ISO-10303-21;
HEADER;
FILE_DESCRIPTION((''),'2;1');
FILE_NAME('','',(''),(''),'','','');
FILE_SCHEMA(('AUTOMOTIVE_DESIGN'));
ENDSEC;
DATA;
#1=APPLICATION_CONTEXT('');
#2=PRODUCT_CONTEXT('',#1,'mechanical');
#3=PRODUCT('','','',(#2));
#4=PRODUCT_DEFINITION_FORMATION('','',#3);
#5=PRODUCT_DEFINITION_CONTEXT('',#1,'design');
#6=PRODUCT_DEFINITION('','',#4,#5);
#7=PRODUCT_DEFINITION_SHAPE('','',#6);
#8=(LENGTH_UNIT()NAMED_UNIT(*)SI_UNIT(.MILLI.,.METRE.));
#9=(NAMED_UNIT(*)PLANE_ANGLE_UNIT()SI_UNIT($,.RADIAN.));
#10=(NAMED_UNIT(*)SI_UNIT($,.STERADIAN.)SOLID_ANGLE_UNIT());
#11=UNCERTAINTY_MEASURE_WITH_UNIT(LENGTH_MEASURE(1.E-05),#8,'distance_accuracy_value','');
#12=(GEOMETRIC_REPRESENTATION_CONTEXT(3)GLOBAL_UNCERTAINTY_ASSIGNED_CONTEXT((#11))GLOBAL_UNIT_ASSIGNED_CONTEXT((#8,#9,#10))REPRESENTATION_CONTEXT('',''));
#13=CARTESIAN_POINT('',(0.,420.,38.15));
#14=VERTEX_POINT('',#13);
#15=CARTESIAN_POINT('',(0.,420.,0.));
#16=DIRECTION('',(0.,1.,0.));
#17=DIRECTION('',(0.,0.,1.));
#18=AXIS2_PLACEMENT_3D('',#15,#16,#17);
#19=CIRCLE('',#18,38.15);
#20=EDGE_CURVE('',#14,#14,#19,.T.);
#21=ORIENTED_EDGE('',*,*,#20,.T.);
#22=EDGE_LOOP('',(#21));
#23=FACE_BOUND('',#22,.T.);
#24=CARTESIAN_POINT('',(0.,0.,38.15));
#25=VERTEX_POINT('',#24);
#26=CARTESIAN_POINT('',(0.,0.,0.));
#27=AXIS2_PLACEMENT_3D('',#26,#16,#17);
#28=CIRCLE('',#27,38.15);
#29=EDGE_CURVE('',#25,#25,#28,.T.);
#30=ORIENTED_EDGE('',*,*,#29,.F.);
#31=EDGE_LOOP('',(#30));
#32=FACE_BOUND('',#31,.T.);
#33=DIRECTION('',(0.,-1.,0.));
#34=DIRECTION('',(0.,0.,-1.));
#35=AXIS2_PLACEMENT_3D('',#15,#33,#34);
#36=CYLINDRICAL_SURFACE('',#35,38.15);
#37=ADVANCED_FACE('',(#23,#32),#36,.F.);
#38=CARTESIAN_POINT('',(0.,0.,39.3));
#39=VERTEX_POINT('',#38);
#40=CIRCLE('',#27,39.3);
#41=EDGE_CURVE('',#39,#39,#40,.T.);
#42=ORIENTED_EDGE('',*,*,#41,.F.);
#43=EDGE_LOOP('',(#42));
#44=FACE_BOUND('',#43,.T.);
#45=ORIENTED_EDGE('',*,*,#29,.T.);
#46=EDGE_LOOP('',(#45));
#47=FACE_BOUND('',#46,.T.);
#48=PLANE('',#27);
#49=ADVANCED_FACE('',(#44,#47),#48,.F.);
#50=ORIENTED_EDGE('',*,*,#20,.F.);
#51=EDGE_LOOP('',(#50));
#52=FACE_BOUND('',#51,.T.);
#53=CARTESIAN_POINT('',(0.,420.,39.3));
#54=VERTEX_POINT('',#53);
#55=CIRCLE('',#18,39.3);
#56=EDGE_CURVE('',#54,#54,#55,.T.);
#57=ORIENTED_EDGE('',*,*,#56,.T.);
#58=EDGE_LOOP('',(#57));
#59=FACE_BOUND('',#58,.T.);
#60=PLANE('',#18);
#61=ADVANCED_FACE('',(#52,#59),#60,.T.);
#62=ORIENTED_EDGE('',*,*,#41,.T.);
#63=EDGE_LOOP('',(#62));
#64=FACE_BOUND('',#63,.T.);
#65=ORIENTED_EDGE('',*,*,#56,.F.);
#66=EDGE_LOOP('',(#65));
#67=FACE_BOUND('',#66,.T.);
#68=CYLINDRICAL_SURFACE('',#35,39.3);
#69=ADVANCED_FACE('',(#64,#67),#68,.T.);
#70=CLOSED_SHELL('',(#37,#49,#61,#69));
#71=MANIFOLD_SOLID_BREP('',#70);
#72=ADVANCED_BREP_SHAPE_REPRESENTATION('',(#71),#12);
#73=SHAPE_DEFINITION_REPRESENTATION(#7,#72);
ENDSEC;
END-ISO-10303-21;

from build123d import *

# Parameters (mm, degrees)
SKETCH1_R           = 39.3
SKETCH1_R_2         = 38.15
BOSS_EXTRUDE1_DEPTH = 420


with BuildPart() as part:
    # Sketch1 → Boss-Extrude1 (new body)
    with BuildSketch(Plane(origin=(0, 0, 0), x_dir=(1, 0, 0), z_dir=(0, 1, 0))):
        with Locations(Location((0, 0, 0), (0, 0, 270))):
            Circle(SKETCH1_R)
        with Locations(Location((0, 0, 0), (0, 0, 270))):
            Circle(SKETCH1_R_2, mode=Mode.SUBTRACT)
    extrude(amount=BOSS_EXTRUDE1_DEPTH)


solid = part.part
